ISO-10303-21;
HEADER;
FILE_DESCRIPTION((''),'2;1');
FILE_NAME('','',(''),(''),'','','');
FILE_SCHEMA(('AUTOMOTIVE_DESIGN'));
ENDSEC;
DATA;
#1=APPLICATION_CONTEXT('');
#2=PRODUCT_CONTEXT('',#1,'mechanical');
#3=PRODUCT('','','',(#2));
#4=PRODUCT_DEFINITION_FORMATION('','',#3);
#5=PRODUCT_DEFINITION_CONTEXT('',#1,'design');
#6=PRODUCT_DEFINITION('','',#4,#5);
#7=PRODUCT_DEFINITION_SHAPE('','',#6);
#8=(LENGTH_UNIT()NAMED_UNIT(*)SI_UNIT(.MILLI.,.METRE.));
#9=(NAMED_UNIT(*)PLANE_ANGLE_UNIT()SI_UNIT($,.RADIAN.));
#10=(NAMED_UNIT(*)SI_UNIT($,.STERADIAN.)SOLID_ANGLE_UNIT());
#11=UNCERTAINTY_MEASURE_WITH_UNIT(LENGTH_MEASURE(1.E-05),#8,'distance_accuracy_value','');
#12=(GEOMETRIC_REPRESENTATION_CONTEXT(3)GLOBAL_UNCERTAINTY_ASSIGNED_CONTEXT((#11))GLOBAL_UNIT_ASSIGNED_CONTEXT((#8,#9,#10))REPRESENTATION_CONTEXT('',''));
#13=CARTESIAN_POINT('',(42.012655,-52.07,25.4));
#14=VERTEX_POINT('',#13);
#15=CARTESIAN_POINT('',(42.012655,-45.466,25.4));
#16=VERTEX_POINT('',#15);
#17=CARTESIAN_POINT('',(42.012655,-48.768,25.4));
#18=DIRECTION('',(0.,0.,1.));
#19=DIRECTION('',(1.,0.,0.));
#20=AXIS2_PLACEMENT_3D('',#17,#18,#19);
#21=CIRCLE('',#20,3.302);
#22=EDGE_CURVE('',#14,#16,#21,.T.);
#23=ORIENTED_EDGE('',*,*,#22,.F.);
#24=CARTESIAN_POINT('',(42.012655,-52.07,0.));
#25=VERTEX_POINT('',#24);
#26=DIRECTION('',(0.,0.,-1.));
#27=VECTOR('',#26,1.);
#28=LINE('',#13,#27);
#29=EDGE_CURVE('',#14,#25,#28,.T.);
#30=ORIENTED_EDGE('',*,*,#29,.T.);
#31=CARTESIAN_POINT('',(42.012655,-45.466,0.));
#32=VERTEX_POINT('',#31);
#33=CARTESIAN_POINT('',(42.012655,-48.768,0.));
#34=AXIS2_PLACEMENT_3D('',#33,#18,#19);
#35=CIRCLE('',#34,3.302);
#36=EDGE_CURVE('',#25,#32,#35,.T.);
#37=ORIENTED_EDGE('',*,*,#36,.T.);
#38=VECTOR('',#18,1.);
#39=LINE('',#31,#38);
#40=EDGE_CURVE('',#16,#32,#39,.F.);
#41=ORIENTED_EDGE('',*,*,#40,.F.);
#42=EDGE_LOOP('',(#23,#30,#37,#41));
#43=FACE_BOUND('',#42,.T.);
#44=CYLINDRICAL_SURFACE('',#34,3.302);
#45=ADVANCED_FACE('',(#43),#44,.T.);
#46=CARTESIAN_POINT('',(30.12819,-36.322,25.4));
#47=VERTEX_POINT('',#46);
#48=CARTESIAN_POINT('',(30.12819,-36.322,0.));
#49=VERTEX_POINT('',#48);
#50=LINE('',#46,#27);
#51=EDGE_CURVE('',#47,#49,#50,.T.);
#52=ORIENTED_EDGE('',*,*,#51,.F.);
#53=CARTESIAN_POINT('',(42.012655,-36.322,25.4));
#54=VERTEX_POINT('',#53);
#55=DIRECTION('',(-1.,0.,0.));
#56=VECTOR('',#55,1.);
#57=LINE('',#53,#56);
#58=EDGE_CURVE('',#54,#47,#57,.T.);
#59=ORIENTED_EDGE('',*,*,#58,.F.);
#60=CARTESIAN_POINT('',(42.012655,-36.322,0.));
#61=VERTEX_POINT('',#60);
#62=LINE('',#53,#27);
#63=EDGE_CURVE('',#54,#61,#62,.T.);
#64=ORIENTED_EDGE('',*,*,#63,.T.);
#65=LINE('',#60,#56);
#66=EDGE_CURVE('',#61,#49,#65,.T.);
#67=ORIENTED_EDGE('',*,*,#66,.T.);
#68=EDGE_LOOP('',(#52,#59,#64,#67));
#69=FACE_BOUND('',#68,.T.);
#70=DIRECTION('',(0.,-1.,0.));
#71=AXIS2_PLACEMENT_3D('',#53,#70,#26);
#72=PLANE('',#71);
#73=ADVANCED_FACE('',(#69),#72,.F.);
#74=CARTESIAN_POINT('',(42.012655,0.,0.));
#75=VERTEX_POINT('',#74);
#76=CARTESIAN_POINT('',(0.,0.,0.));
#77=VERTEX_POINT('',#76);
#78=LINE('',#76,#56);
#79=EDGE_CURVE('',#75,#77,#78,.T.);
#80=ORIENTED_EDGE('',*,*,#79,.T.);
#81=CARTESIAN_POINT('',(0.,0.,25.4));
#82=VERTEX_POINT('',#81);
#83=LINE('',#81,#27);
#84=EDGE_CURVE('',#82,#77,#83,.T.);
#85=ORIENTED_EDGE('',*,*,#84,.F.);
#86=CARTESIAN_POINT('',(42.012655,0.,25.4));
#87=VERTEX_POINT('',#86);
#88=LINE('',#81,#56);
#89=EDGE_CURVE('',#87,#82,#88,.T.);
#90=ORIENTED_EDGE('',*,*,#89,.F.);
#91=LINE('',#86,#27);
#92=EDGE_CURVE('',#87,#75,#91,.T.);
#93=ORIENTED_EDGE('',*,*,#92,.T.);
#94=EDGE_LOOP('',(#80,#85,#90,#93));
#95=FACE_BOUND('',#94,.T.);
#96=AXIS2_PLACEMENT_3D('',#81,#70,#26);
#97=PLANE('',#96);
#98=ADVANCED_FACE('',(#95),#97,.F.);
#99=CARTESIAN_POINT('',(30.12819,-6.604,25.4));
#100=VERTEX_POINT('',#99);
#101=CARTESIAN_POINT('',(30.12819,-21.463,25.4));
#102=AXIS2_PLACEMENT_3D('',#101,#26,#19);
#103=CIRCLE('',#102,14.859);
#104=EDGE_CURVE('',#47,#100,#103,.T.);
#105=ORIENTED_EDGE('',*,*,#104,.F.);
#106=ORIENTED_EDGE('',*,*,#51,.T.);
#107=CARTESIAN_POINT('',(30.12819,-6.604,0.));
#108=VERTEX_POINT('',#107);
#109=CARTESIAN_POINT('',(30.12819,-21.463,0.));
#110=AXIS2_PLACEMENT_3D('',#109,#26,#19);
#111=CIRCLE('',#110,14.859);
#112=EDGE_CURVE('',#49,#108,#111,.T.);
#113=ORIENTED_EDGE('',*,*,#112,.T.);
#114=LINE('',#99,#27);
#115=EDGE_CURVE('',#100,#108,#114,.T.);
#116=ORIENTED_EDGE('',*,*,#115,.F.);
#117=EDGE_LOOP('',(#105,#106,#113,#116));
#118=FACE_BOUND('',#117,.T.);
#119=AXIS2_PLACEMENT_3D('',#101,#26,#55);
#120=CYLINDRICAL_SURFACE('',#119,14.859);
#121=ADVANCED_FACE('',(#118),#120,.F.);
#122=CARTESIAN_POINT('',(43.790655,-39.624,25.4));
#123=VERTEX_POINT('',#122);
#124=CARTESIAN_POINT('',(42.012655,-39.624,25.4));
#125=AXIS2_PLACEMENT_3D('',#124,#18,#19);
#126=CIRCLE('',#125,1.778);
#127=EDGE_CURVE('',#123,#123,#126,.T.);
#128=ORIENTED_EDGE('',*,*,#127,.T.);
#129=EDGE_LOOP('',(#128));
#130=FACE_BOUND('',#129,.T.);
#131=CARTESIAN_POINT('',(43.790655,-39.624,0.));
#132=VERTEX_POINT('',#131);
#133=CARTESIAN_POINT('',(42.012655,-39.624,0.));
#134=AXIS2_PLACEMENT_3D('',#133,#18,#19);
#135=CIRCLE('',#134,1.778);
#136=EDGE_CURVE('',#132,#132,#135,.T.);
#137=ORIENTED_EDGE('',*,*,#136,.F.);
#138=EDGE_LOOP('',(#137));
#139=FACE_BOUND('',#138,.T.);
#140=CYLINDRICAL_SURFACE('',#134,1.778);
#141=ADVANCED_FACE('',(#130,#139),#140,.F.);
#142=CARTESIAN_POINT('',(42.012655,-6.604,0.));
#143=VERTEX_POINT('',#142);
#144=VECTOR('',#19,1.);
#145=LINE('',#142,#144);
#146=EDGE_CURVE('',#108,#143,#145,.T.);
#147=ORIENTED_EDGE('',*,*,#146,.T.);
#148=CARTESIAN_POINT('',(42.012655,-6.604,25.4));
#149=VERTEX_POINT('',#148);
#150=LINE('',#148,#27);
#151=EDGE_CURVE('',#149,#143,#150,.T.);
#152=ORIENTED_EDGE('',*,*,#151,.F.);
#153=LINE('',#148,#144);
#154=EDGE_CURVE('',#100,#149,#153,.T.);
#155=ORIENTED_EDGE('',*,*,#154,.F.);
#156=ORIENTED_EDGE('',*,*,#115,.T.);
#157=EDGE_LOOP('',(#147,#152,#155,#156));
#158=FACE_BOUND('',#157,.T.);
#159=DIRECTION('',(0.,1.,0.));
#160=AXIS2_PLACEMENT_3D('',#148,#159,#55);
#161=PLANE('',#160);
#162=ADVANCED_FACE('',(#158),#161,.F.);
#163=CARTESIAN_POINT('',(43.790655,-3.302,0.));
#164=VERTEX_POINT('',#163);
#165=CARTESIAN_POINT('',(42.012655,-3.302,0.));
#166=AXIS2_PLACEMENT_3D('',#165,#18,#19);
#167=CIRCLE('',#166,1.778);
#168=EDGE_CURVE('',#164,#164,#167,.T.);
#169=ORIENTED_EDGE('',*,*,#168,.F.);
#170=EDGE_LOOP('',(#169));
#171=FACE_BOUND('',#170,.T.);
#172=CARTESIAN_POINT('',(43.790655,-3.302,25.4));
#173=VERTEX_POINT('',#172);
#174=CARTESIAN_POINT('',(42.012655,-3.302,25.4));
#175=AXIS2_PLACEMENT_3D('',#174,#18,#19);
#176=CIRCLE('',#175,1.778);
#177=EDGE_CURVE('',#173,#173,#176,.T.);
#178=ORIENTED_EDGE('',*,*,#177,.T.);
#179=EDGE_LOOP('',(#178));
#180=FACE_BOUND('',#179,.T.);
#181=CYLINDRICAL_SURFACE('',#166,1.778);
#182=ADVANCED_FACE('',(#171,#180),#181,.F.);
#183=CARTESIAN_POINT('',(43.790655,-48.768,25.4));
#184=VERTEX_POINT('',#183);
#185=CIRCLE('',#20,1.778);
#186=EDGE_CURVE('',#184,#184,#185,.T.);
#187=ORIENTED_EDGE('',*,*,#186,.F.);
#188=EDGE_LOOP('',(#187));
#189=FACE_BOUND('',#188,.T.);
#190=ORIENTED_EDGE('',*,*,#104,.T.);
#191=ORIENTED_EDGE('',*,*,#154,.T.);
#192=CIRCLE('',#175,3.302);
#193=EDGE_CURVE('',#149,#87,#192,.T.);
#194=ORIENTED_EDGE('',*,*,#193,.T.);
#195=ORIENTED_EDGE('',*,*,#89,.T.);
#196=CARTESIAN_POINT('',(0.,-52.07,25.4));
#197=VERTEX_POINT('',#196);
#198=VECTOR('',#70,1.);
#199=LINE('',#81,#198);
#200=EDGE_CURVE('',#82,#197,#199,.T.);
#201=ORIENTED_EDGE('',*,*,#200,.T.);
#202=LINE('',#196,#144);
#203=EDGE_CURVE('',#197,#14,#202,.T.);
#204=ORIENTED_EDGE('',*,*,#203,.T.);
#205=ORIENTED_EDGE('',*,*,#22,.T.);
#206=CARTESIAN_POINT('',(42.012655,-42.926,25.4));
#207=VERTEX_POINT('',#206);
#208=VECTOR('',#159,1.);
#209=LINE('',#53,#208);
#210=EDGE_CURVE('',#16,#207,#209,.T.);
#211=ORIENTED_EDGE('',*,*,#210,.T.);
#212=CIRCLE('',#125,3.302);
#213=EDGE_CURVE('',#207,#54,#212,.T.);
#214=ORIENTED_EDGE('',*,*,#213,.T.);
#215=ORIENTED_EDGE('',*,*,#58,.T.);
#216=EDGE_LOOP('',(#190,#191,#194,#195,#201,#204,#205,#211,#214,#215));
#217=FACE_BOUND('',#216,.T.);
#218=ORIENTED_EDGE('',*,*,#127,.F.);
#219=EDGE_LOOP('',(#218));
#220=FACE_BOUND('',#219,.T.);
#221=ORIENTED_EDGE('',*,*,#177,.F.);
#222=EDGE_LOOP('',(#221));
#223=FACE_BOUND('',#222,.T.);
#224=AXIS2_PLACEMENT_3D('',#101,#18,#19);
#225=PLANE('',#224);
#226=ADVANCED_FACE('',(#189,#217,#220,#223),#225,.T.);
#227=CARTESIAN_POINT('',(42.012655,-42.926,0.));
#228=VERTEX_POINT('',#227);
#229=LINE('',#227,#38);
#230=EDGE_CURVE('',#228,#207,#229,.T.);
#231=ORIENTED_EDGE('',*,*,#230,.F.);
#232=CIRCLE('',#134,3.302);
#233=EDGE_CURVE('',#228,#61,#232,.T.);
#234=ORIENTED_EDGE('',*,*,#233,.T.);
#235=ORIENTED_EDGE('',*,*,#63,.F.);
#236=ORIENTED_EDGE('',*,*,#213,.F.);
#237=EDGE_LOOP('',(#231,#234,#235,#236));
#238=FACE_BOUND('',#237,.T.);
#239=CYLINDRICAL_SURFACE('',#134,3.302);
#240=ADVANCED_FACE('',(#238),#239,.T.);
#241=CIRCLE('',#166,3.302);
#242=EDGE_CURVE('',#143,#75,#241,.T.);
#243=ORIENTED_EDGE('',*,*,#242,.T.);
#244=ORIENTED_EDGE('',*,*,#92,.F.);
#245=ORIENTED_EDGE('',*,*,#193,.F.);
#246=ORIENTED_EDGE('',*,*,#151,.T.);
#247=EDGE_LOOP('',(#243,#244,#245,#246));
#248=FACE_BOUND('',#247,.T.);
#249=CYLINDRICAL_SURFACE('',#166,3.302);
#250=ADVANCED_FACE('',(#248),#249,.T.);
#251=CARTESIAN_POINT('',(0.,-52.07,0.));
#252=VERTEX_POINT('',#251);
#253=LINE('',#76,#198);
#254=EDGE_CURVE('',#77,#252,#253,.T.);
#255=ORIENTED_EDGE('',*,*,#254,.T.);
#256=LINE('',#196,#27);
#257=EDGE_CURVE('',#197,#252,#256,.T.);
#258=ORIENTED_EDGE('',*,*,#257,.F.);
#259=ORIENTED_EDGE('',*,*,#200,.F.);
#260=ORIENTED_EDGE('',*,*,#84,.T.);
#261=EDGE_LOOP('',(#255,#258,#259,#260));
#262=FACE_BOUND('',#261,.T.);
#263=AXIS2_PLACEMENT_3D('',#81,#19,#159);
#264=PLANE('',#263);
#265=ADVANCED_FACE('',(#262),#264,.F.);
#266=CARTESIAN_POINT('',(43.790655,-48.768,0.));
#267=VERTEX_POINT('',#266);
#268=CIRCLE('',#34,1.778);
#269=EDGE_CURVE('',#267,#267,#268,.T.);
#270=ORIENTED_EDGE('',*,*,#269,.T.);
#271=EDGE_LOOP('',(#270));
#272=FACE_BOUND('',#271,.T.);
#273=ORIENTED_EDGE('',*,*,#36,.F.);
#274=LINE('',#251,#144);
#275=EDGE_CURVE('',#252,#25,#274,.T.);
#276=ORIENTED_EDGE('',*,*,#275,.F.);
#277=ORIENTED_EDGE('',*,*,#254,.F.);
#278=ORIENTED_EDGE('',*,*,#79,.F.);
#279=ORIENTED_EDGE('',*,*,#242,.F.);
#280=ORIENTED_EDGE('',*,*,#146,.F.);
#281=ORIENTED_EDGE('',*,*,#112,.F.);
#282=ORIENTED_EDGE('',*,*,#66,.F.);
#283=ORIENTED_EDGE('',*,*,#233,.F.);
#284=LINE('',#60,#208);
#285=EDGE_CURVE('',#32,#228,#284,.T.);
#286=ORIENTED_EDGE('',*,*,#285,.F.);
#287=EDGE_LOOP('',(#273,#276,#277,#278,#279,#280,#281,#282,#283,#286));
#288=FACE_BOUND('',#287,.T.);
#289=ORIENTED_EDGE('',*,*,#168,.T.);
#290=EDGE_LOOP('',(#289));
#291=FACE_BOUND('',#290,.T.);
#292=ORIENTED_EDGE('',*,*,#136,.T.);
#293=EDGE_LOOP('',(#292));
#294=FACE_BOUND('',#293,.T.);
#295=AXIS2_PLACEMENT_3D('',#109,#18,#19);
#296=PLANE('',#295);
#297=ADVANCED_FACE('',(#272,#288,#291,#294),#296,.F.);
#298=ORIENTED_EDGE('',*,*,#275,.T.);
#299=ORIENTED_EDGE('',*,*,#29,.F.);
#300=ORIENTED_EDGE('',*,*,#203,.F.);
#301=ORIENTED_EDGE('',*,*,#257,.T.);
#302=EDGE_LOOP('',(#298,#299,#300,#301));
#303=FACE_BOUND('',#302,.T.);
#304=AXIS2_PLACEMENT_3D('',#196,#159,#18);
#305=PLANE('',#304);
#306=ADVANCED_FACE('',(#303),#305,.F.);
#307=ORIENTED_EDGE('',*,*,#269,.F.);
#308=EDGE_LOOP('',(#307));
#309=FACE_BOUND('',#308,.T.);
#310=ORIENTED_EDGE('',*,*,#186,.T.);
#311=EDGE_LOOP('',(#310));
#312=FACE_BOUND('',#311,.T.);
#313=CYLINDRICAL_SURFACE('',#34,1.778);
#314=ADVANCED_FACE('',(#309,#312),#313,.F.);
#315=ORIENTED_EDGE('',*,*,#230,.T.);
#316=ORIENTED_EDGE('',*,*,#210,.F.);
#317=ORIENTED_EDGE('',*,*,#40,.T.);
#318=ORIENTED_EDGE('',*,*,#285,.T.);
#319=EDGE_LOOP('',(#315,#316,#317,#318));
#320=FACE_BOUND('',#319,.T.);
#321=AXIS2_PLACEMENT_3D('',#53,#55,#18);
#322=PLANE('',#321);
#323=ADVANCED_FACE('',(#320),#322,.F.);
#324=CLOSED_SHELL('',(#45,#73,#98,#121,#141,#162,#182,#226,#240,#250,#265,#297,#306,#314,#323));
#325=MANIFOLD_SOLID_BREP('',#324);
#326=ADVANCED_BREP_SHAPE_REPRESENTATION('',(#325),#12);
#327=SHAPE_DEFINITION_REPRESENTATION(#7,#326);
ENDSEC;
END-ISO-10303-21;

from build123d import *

# Parameters (mm, degrees)
BOSS_EXTRUDE1_DEPTH = 25.4
SKETCH4_R           = 3.302
BOSS_EXTRUDE2_DEPTH = 25.4
SKETCH6_R           = 1.778
CUT_EXTRUDE1_DEPTH  = 74.551770003


with BuildPart() as part:
    # Sketch3 → Boss-Extrude1 (new body)
    with BuildSketch(Plane.XY):
        with BuildLine():
            Line((42.012655142, -6.604), (30.128190046, -6.604))
            ThreePointArc((30.128190046, -6.604), (15.269190046, -21.463), (30.128190046, -36.322))
            Line((30.128190046, -36.322), (42.012655142, -36.322))
            Line((42.012655142, -36.322), (42.012655142, -52.07))
            Line((42.012655142, -52.07), (0, -52.07))
            Line((0, -52.07), (0, 0))
            Line((0, 0), (42.012655142, 0))
            Line((42.012655142, 0), (42.012655142, -6.604))
        make_face()
    extrude(amount=BOSS_EXTRUDE1_DEPTH)

    # Sketch4 → Boss-Extrude2 (add)
    with BuildSketch(Plane.XY.offset(25.4)):
        with Locations((42.012655142, -3.302)):
            Circle(SKETCH4_R)
        with Locations((42.012655142, -39.624)):
            Circle(SKETCH4_R)
        with Locations((42.012655142, -48.768)):
            Circle(SKETCH4_R)
    extrude(amount=-BOSS_EXTRUDE2_DEPTH)

    # Sketch6 → Cut-Extrude1 (cut, through all)
    with BuildSketch(Plane.XY.offset(25.4)):
        with Locations((42.012655142, -3.302)):
            Circle(SKETCH6_R)
        with Locations((42.012655142, -39.624)):
            Circle(SKETCH6_R)
        with Locations((42.012655142, -48.768)):
            Circle(SKETCH6_R)
    extrude(amount=-CUT_EXTRUDE1_DEPTH, mode=Mode.SUBTRACT)


solid = part.part
